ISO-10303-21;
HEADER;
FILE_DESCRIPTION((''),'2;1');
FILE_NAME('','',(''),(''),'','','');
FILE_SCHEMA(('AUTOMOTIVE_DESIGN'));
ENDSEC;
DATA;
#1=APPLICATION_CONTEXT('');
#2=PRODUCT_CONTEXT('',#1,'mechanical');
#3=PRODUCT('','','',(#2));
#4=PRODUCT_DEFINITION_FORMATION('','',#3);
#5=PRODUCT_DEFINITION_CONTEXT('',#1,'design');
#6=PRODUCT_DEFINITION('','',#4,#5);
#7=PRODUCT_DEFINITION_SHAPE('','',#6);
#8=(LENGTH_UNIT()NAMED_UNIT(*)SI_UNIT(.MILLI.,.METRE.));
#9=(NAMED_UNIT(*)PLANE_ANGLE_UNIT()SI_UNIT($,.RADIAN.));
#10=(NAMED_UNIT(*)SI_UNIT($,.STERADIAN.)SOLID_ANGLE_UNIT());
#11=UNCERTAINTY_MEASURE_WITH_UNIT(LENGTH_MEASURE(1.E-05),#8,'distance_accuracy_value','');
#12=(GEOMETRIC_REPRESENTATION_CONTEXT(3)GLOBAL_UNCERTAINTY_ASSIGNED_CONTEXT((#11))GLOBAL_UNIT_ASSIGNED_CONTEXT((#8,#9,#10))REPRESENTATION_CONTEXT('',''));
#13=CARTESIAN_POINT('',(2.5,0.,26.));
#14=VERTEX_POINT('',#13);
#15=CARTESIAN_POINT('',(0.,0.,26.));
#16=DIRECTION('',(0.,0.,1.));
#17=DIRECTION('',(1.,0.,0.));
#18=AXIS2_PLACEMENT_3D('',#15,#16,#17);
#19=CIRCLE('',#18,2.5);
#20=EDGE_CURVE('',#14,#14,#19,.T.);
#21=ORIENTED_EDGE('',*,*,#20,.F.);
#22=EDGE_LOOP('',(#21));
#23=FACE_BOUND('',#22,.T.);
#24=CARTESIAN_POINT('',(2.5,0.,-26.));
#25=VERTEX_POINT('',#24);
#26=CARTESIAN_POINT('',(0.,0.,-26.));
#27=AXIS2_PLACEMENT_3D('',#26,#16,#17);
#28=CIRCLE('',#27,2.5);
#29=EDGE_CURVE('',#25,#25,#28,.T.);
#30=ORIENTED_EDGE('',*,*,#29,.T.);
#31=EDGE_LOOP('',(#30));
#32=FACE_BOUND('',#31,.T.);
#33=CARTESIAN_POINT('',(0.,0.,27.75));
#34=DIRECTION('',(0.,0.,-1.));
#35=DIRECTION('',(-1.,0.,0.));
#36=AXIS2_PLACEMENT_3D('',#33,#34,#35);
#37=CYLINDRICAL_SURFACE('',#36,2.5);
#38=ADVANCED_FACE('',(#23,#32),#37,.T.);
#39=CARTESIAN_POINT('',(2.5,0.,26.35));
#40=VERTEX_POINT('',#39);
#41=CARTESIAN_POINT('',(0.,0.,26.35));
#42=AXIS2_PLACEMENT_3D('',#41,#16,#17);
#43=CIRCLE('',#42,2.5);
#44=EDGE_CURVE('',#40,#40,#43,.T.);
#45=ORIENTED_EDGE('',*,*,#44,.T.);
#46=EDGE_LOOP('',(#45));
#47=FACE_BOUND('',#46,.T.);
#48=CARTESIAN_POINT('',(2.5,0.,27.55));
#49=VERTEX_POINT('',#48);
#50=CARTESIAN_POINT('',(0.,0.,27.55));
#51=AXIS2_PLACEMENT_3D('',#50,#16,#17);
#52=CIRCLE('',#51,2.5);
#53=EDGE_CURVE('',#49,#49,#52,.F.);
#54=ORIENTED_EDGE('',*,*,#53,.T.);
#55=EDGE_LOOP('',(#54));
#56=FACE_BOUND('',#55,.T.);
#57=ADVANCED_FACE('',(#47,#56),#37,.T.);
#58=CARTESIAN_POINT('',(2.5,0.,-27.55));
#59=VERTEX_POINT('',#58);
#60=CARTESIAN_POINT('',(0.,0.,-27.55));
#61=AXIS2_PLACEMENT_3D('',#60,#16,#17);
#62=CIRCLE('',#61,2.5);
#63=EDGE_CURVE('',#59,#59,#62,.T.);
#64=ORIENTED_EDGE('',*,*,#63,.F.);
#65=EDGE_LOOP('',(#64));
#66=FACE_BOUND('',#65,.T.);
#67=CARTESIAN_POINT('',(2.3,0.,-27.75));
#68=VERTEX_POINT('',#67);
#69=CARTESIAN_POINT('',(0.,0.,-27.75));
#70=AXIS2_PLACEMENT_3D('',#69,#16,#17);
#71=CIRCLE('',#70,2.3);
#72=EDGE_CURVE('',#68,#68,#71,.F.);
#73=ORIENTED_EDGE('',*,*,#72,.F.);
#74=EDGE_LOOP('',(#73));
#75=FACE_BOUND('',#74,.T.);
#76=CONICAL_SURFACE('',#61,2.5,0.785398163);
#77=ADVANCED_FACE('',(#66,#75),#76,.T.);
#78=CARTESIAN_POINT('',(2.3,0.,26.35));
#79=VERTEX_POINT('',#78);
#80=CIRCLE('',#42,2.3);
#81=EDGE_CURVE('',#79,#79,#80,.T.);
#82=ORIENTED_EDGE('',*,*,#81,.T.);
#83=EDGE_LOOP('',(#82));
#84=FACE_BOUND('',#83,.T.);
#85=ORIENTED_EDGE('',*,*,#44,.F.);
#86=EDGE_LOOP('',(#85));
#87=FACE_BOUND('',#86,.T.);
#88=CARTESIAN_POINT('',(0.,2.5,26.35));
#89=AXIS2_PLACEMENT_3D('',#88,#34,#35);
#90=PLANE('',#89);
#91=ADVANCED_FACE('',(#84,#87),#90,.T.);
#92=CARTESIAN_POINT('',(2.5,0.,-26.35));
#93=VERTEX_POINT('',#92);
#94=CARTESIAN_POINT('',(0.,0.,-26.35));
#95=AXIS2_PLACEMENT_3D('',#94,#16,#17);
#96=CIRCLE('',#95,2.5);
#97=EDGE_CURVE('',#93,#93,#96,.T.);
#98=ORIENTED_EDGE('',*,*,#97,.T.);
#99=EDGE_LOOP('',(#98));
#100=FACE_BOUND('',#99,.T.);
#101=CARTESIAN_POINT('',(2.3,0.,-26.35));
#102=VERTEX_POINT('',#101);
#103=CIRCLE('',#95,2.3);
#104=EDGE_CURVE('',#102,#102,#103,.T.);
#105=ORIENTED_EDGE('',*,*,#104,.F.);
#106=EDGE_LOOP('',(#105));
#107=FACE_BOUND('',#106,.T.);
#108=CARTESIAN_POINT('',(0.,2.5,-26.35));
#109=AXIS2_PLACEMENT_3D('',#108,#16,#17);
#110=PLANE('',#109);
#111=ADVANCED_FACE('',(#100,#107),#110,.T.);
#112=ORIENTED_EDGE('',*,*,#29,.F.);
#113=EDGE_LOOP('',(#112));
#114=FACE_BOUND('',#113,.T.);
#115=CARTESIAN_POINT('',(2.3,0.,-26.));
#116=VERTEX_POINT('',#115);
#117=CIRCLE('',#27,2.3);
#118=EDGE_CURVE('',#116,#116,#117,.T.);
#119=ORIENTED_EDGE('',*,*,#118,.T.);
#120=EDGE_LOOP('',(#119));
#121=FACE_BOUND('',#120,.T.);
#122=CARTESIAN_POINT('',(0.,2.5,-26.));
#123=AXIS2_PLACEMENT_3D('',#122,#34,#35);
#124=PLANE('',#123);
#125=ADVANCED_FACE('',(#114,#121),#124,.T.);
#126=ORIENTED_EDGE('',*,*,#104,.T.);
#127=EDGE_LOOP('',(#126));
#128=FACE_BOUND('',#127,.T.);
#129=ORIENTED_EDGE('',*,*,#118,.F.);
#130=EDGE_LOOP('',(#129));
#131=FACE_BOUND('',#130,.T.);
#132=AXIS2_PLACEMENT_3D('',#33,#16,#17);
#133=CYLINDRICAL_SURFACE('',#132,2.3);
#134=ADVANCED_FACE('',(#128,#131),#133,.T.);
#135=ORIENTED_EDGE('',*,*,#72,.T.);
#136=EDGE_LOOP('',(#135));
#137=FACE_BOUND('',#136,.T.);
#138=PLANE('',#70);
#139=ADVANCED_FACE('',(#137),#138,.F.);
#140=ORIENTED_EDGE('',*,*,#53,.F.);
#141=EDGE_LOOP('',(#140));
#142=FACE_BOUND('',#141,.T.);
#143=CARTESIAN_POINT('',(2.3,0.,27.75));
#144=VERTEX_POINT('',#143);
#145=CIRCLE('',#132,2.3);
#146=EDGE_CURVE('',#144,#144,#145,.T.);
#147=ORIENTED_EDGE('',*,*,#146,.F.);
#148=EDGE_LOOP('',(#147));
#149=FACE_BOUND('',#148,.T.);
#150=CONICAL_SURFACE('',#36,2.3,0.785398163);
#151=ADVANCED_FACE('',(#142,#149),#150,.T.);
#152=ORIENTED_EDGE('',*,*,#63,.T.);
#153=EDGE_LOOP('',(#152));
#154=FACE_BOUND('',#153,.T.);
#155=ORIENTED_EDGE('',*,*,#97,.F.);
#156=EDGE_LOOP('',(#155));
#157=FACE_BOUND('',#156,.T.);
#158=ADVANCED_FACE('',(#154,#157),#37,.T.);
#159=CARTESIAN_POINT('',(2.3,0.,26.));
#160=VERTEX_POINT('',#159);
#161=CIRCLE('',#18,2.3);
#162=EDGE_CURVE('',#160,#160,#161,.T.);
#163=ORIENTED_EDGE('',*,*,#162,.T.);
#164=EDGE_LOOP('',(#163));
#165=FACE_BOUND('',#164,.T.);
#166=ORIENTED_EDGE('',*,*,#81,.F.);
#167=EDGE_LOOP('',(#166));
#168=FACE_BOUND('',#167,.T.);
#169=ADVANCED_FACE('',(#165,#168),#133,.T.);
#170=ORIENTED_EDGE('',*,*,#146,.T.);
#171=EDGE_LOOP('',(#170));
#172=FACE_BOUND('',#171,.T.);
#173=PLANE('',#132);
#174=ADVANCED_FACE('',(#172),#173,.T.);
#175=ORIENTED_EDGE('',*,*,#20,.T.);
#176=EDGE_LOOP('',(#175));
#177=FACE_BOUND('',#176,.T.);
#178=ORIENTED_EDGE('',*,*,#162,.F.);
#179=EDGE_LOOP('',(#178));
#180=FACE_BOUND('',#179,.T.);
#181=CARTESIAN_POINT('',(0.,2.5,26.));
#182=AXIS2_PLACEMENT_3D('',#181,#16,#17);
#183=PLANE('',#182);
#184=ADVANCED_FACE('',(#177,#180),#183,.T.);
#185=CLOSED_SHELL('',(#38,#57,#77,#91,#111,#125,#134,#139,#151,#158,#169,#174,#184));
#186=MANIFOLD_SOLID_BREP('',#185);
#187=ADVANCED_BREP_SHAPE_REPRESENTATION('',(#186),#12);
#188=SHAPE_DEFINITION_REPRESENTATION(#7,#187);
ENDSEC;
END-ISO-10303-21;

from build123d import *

# Parameters (mm, degrees)
SKETCH_1_R      = 2.5
EXTRUDE_1_DEPTH = 27.75
SKETCH_2_W      = 0.35
SKETCH_2_H      = 0.2
CHAMFER_1_SIZE  = 0.2


with BuildPart() as part:
    # 草图1 → 凸台-拉伸1 (new, symmetric)
    with BuildSketch(Plane.XY):
        Circle(SKETCH_1_R)
    extrude(amount=EXTRUDE_1_DEPTH, both=True)

    # 草图2 → 切除-旋转1 (revolve, cut)
    with BuildSketch(Plane(origin=(0, 0, 0), x_dir=(0, 0, -1), z_dir=(1, 0, 0)), mode=Mode.PRIVATE) as cut_revolve_1_sk:
        with Locations((-26.175, 2.4)):
            Rectangle(SKETCH_2_W, SKETCH_2_H)
        with Locations((26.175, 2.4)):
            Rectangle(SKETCH_2_W, SKETCH_2_H)
    revolve(cut_revolve_1_sk.sketch.rotate(Axis((0, 0, 27.75), (0, 0, -1)), 90), axis=Axis((0, 0, 27.75), (0, 0, -1)), mode=Mode.SUBTRACT)

    # 倒角1
    chamfer_1_edges = [part.edges().sort_by_distance(p)[0] for p in [
        (-2.5, 0, -27.75),
        (-2.5, 0, 27.75),
    ]]
    chamfer(chamfer_1_edges, length=CHAMFER_1_SIZE)


solid = part.part
